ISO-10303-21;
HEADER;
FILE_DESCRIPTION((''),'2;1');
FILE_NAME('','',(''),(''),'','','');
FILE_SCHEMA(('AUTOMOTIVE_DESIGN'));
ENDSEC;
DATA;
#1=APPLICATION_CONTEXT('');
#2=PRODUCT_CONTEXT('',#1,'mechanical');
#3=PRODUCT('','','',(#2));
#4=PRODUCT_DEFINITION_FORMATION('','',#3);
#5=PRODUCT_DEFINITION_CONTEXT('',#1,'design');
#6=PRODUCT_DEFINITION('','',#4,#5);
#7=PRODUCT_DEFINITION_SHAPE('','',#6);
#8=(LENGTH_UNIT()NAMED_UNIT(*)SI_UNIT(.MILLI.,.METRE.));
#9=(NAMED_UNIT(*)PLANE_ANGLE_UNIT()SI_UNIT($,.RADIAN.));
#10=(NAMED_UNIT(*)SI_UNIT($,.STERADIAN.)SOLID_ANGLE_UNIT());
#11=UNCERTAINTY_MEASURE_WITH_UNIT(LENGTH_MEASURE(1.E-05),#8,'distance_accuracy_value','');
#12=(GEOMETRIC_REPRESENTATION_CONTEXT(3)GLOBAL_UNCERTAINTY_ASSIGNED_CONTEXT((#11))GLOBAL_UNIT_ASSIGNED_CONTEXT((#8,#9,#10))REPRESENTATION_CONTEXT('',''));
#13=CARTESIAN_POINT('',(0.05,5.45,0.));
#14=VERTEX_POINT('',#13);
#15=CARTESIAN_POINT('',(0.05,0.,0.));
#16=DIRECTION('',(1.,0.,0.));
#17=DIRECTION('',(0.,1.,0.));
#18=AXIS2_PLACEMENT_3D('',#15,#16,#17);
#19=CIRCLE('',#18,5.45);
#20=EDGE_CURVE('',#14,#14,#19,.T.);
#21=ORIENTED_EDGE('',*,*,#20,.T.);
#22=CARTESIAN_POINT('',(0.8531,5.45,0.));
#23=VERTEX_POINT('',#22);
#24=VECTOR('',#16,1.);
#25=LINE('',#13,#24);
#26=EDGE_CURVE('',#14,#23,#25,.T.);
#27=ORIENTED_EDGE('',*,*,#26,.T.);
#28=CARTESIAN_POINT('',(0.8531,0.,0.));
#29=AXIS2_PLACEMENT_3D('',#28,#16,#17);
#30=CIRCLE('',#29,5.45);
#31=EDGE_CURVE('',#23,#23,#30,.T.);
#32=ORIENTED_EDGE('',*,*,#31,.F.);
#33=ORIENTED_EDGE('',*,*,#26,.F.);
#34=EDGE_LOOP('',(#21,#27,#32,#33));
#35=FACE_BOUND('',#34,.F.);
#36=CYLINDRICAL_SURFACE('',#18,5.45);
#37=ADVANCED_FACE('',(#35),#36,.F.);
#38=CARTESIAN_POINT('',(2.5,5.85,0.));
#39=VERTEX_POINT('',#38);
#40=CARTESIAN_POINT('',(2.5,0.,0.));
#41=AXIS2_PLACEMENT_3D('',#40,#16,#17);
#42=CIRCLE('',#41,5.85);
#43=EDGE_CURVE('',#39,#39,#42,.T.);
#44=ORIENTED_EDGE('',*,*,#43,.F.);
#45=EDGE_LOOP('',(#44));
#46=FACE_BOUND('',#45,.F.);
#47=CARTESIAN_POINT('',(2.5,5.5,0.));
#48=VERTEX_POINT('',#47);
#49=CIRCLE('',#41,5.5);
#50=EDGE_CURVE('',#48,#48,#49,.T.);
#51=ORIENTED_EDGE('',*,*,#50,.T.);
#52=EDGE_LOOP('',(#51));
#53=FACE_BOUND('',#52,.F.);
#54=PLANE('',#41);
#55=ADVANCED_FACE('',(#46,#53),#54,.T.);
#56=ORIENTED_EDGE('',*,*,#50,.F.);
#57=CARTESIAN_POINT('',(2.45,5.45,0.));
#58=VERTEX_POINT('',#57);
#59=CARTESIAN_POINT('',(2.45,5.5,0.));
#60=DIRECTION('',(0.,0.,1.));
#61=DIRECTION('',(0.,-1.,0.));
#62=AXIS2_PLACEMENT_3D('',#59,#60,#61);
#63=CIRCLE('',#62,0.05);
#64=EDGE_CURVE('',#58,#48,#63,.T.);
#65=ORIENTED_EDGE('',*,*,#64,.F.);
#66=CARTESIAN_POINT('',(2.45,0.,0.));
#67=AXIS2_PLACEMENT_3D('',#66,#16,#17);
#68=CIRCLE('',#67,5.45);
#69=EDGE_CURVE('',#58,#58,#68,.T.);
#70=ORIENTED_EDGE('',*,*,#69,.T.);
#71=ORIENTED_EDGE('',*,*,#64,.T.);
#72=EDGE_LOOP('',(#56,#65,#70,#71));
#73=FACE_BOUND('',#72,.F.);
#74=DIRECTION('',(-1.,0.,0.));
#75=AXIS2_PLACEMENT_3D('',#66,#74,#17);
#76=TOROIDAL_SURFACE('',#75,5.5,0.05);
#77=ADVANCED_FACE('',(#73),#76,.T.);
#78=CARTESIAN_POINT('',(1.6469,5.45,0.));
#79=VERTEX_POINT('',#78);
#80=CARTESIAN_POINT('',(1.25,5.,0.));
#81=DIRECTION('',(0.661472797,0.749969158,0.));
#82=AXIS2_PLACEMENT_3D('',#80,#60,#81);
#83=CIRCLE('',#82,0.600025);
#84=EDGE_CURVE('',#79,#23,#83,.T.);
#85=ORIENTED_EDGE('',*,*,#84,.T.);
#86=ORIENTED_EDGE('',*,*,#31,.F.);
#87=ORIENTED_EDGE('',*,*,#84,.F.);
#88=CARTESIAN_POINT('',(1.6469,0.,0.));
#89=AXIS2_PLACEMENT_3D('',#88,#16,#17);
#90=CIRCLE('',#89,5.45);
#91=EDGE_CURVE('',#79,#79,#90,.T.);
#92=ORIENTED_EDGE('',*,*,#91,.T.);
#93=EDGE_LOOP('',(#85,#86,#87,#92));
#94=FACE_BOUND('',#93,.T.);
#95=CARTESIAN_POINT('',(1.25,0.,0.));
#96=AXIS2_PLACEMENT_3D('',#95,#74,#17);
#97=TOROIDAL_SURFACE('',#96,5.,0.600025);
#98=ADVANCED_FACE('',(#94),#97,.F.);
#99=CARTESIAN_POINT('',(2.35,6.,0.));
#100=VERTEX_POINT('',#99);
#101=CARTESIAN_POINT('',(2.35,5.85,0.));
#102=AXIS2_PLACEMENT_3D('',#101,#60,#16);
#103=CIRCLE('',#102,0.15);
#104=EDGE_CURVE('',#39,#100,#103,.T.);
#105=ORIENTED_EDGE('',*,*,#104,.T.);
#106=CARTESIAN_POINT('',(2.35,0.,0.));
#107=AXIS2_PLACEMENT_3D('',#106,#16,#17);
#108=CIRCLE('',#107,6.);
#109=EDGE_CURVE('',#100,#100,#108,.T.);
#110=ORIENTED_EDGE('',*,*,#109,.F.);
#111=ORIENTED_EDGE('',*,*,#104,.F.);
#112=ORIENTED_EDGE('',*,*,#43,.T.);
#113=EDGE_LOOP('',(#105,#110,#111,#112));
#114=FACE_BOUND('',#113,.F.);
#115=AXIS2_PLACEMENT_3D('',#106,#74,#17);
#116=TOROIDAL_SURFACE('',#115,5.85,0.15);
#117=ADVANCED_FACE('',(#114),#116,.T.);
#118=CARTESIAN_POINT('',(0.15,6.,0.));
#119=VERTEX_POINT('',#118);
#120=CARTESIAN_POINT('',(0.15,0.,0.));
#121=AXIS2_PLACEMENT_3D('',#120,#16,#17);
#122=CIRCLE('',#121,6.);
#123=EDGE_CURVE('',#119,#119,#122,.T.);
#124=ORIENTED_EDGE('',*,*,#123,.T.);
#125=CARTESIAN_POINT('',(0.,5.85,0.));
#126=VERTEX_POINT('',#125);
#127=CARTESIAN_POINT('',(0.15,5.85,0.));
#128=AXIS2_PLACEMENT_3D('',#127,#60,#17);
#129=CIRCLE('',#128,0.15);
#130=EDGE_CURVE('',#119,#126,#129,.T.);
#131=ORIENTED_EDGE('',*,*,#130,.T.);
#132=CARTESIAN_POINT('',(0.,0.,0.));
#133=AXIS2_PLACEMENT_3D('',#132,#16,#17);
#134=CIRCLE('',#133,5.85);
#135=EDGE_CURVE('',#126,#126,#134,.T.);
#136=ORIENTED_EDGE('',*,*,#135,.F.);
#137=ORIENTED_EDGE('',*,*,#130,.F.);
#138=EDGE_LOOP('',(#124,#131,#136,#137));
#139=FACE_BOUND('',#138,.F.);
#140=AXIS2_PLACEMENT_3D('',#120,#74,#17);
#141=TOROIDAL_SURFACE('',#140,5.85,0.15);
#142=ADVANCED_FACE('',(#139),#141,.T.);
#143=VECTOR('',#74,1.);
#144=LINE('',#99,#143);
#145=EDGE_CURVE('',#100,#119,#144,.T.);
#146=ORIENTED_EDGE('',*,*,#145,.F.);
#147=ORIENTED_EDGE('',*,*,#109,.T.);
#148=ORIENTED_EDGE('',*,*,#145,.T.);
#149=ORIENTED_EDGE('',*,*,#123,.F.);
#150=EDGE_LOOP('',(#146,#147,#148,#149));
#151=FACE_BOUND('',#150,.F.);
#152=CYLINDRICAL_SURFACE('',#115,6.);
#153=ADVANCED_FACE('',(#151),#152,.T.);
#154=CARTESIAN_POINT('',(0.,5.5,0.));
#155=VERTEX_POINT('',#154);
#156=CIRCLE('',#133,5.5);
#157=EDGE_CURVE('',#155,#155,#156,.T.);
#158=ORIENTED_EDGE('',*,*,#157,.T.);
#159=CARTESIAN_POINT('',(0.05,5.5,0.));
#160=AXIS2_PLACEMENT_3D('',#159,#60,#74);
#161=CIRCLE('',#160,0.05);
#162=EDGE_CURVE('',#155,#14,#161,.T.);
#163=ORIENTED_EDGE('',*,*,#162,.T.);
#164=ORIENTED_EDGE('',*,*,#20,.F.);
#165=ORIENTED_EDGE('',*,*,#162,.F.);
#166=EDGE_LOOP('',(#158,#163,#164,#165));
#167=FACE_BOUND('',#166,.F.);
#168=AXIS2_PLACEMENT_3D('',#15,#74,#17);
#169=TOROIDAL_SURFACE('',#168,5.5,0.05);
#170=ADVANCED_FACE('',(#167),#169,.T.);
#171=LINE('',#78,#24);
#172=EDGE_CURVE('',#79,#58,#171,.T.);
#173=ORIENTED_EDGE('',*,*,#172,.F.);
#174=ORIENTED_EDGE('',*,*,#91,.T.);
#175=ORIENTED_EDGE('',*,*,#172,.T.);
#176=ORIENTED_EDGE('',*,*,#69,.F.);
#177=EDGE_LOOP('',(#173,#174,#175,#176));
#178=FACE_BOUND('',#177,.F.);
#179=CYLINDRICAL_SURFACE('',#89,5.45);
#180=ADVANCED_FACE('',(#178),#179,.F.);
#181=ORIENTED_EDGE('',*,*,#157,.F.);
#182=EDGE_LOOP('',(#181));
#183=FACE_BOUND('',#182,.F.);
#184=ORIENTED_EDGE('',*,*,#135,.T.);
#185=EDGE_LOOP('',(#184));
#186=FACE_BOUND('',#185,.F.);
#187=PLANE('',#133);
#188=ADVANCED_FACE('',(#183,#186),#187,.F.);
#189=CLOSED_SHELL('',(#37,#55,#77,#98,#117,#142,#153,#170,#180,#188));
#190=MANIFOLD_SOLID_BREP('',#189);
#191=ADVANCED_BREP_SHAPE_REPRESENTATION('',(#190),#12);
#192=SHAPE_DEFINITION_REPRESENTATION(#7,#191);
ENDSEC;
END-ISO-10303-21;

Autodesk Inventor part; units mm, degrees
ref_plane "YZ Plane" through (0, 0, 0) normal (1, 0, 0) x (0, 1, 0)
ref_plane "XZ Plane" through (0, 0, 0) normal (0, 1, 0) x (-1, 0, 0)
ref_plane "XY Plane" through (0, 0, 0) normal (0, 0, 1) x (1, 0, 0)
sketch "Sketch_7" plane through (0, 0, 0) normal (0, 0, 1) x (1, 0, 0)
  line L0 (2.5, 0) -> (-2.5, 0)
  arc A0 (0, 5.5) -> (0.05, 5.45) centre (0.05, 5.5) ccw
  line L1 (0.05, 5.45) -> (0.8531, 5.45)
  arc A1 (1.6469, 5.45) -> (0.8531, 5.45) centre (1.25, 5) ccw
  line L2 (1.6469, 5.45) -> (2.45, 5.45)
  arc A2 (2.45, 5.45) -> (2.5, 5.5) centre (2.45, 5.5) ccw
  line L3 (2.5, 5.5) -> (2.5, 5.85)
  arc A3 (2.5, 5.85) -> (2.35, 6) centre (2.35, 5.85) ccw
  line L4 (2.35, 6) -> (0.15, 6)
  arc A4 (0.15, 6) -> (0, 5.85) centre (0.15, 5.85) ccw
  line L5 (0, 5.85) -> (0, 5.5)
revolve "Revolution1" add sketch "Sketch_7" angle 360 about axis through (2.5, 0, 0) along (1, 0, 0)
properties part number "SKF_W 617/8_PART2"
